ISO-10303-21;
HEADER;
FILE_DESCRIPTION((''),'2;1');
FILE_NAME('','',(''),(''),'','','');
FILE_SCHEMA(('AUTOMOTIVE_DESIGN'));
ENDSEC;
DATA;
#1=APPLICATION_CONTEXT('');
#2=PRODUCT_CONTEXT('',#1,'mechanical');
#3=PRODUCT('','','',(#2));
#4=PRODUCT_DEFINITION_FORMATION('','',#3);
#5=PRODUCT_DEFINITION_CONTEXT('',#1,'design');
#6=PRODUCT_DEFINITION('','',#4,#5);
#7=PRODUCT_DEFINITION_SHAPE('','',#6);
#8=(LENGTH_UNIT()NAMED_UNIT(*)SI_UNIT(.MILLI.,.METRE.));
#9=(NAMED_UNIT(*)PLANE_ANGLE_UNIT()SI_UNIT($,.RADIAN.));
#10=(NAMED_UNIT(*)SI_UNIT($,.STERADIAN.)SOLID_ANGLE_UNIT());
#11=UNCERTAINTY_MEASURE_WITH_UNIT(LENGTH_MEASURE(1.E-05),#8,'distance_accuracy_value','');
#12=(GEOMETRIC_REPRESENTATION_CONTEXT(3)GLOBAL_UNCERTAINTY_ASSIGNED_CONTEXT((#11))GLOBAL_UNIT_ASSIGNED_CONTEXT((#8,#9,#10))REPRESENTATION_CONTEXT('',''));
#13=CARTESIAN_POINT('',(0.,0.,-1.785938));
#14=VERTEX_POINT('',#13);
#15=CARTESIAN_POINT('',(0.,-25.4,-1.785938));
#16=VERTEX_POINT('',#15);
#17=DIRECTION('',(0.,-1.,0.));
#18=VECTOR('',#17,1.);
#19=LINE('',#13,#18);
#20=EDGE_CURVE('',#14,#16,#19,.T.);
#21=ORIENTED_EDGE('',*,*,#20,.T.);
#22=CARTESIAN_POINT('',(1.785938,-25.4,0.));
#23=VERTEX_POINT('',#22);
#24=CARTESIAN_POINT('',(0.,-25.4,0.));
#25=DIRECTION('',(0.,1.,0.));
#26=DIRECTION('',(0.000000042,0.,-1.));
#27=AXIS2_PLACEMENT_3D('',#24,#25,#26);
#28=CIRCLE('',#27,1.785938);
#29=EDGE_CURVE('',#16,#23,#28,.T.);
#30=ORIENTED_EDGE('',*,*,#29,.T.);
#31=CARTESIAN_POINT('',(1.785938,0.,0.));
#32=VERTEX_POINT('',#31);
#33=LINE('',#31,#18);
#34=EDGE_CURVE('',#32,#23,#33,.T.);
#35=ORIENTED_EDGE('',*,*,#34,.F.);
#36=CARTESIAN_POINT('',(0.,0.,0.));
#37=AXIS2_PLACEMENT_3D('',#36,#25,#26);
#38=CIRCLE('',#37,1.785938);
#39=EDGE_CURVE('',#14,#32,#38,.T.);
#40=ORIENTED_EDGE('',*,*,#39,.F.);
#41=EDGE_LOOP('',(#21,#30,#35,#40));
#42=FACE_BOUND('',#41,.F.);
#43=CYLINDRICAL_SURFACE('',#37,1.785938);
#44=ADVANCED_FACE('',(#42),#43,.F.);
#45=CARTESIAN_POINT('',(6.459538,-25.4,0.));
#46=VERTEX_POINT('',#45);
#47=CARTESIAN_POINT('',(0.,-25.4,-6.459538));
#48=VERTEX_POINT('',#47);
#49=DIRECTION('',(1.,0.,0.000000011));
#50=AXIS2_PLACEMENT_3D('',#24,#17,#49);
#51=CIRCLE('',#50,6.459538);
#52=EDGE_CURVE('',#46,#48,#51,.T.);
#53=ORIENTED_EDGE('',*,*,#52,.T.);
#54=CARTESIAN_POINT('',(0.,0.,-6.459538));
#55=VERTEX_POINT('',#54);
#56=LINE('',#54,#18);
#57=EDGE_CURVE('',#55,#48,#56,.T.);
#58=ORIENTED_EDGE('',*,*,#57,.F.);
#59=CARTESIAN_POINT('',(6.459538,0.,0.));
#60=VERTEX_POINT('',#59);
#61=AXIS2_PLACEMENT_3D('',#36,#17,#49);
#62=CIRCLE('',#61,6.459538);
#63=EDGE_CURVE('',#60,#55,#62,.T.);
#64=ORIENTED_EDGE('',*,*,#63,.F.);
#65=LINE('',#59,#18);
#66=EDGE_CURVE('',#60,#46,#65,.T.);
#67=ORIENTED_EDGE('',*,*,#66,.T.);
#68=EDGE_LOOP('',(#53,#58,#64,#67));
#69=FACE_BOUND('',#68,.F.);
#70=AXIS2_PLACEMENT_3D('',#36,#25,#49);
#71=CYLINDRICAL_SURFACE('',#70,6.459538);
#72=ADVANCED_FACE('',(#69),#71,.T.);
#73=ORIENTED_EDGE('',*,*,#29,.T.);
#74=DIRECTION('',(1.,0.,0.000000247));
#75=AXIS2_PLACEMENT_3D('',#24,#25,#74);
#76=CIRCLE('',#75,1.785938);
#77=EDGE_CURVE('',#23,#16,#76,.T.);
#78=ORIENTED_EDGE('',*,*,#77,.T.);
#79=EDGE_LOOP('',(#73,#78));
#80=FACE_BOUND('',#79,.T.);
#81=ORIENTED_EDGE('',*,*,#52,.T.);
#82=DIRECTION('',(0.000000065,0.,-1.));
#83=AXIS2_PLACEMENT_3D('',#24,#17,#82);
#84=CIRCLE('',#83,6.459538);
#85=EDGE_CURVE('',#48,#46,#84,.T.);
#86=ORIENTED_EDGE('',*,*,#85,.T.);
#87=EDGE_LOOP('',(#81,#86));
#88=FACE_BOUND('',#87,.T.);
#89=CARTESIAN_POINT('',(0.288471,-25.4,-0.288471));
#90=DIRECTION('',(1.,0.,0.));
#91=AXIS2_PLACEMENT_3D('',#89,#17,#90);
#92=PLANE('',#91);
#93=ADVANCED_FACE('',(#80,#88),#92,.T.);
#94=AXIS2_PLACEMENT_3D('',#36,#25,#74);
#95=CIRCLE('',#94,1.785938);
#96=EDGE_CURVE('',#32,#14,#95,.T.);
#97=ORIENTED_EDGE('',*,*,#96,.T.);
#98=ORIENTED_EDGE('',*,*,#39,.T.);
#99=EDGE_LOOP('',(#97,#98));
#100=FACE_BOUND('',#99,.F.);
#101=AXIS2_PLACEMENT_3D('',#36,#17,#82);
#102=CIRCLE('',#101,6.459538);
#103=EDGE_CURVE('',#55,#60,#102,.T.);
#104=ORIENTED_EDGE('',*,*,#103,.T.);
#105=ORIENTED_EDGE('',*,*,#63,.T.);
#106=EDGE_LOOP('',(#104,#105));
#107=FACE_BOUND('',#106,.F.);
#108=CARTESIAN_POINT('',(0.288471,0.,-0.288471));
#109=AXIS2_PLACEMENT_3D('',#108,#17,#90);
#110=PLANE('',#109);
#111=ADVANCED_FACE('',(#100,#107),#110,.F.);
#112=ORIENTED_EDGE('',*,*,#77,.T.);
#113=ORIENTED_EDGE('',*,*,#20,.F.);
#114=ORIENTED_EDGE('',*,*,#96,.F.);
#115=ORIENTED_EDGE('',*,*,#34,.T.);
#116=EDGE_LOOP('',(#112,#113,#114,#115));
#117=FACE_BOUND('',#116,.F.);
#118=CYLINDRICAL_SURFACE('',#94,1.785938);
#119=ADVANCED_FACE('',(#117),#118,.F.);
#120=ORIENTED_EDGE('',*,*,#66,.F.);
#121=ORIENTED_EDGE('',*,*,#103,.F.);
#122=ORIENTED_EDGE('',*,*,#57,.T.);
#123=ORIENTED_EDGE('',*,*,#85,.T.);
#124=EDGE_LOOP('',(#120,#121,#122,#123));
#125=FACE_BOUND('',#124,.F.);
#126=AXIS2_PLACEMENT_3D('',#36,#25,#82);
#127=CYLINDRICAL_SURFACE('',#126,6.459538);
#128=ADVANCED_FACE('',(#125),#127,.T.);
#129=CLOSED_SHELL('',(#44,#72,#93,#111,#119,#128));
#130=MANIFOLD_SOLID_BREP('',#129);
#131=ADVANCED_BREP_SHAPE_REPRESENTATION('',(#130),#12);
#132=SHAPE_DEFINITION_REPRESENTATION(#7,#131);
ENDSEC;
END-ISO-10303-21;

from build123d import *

# Parameters (mm, degrees)
F1_DEPTH = 25.4


with BuildPart() as f1:
    # F0 (on Front) → F1 (new body)
    with BuildSketch(Plane.XZ):
        with BuildLine():
            ThreePointArc((6.459538, 0), (-4.567583, 4.567583), (0, -6.459538))
            ThreePointArc((0, -6.459538), (4.567583, -4.567583), (6.459538, 0))
        make_face()
        with BuildLine():
            ThreePointArc((0, -1.785938), (-1.262849, 1.262849), (1.785938, 0))
            ThreePointArc((1.785938, 0), (1.262849, -1.262849), (0, -1.785938))
        make_face(mode=Mode.SUBTRACT)
    extrude(amount=F1_DEPTH)


solid = f1.part
